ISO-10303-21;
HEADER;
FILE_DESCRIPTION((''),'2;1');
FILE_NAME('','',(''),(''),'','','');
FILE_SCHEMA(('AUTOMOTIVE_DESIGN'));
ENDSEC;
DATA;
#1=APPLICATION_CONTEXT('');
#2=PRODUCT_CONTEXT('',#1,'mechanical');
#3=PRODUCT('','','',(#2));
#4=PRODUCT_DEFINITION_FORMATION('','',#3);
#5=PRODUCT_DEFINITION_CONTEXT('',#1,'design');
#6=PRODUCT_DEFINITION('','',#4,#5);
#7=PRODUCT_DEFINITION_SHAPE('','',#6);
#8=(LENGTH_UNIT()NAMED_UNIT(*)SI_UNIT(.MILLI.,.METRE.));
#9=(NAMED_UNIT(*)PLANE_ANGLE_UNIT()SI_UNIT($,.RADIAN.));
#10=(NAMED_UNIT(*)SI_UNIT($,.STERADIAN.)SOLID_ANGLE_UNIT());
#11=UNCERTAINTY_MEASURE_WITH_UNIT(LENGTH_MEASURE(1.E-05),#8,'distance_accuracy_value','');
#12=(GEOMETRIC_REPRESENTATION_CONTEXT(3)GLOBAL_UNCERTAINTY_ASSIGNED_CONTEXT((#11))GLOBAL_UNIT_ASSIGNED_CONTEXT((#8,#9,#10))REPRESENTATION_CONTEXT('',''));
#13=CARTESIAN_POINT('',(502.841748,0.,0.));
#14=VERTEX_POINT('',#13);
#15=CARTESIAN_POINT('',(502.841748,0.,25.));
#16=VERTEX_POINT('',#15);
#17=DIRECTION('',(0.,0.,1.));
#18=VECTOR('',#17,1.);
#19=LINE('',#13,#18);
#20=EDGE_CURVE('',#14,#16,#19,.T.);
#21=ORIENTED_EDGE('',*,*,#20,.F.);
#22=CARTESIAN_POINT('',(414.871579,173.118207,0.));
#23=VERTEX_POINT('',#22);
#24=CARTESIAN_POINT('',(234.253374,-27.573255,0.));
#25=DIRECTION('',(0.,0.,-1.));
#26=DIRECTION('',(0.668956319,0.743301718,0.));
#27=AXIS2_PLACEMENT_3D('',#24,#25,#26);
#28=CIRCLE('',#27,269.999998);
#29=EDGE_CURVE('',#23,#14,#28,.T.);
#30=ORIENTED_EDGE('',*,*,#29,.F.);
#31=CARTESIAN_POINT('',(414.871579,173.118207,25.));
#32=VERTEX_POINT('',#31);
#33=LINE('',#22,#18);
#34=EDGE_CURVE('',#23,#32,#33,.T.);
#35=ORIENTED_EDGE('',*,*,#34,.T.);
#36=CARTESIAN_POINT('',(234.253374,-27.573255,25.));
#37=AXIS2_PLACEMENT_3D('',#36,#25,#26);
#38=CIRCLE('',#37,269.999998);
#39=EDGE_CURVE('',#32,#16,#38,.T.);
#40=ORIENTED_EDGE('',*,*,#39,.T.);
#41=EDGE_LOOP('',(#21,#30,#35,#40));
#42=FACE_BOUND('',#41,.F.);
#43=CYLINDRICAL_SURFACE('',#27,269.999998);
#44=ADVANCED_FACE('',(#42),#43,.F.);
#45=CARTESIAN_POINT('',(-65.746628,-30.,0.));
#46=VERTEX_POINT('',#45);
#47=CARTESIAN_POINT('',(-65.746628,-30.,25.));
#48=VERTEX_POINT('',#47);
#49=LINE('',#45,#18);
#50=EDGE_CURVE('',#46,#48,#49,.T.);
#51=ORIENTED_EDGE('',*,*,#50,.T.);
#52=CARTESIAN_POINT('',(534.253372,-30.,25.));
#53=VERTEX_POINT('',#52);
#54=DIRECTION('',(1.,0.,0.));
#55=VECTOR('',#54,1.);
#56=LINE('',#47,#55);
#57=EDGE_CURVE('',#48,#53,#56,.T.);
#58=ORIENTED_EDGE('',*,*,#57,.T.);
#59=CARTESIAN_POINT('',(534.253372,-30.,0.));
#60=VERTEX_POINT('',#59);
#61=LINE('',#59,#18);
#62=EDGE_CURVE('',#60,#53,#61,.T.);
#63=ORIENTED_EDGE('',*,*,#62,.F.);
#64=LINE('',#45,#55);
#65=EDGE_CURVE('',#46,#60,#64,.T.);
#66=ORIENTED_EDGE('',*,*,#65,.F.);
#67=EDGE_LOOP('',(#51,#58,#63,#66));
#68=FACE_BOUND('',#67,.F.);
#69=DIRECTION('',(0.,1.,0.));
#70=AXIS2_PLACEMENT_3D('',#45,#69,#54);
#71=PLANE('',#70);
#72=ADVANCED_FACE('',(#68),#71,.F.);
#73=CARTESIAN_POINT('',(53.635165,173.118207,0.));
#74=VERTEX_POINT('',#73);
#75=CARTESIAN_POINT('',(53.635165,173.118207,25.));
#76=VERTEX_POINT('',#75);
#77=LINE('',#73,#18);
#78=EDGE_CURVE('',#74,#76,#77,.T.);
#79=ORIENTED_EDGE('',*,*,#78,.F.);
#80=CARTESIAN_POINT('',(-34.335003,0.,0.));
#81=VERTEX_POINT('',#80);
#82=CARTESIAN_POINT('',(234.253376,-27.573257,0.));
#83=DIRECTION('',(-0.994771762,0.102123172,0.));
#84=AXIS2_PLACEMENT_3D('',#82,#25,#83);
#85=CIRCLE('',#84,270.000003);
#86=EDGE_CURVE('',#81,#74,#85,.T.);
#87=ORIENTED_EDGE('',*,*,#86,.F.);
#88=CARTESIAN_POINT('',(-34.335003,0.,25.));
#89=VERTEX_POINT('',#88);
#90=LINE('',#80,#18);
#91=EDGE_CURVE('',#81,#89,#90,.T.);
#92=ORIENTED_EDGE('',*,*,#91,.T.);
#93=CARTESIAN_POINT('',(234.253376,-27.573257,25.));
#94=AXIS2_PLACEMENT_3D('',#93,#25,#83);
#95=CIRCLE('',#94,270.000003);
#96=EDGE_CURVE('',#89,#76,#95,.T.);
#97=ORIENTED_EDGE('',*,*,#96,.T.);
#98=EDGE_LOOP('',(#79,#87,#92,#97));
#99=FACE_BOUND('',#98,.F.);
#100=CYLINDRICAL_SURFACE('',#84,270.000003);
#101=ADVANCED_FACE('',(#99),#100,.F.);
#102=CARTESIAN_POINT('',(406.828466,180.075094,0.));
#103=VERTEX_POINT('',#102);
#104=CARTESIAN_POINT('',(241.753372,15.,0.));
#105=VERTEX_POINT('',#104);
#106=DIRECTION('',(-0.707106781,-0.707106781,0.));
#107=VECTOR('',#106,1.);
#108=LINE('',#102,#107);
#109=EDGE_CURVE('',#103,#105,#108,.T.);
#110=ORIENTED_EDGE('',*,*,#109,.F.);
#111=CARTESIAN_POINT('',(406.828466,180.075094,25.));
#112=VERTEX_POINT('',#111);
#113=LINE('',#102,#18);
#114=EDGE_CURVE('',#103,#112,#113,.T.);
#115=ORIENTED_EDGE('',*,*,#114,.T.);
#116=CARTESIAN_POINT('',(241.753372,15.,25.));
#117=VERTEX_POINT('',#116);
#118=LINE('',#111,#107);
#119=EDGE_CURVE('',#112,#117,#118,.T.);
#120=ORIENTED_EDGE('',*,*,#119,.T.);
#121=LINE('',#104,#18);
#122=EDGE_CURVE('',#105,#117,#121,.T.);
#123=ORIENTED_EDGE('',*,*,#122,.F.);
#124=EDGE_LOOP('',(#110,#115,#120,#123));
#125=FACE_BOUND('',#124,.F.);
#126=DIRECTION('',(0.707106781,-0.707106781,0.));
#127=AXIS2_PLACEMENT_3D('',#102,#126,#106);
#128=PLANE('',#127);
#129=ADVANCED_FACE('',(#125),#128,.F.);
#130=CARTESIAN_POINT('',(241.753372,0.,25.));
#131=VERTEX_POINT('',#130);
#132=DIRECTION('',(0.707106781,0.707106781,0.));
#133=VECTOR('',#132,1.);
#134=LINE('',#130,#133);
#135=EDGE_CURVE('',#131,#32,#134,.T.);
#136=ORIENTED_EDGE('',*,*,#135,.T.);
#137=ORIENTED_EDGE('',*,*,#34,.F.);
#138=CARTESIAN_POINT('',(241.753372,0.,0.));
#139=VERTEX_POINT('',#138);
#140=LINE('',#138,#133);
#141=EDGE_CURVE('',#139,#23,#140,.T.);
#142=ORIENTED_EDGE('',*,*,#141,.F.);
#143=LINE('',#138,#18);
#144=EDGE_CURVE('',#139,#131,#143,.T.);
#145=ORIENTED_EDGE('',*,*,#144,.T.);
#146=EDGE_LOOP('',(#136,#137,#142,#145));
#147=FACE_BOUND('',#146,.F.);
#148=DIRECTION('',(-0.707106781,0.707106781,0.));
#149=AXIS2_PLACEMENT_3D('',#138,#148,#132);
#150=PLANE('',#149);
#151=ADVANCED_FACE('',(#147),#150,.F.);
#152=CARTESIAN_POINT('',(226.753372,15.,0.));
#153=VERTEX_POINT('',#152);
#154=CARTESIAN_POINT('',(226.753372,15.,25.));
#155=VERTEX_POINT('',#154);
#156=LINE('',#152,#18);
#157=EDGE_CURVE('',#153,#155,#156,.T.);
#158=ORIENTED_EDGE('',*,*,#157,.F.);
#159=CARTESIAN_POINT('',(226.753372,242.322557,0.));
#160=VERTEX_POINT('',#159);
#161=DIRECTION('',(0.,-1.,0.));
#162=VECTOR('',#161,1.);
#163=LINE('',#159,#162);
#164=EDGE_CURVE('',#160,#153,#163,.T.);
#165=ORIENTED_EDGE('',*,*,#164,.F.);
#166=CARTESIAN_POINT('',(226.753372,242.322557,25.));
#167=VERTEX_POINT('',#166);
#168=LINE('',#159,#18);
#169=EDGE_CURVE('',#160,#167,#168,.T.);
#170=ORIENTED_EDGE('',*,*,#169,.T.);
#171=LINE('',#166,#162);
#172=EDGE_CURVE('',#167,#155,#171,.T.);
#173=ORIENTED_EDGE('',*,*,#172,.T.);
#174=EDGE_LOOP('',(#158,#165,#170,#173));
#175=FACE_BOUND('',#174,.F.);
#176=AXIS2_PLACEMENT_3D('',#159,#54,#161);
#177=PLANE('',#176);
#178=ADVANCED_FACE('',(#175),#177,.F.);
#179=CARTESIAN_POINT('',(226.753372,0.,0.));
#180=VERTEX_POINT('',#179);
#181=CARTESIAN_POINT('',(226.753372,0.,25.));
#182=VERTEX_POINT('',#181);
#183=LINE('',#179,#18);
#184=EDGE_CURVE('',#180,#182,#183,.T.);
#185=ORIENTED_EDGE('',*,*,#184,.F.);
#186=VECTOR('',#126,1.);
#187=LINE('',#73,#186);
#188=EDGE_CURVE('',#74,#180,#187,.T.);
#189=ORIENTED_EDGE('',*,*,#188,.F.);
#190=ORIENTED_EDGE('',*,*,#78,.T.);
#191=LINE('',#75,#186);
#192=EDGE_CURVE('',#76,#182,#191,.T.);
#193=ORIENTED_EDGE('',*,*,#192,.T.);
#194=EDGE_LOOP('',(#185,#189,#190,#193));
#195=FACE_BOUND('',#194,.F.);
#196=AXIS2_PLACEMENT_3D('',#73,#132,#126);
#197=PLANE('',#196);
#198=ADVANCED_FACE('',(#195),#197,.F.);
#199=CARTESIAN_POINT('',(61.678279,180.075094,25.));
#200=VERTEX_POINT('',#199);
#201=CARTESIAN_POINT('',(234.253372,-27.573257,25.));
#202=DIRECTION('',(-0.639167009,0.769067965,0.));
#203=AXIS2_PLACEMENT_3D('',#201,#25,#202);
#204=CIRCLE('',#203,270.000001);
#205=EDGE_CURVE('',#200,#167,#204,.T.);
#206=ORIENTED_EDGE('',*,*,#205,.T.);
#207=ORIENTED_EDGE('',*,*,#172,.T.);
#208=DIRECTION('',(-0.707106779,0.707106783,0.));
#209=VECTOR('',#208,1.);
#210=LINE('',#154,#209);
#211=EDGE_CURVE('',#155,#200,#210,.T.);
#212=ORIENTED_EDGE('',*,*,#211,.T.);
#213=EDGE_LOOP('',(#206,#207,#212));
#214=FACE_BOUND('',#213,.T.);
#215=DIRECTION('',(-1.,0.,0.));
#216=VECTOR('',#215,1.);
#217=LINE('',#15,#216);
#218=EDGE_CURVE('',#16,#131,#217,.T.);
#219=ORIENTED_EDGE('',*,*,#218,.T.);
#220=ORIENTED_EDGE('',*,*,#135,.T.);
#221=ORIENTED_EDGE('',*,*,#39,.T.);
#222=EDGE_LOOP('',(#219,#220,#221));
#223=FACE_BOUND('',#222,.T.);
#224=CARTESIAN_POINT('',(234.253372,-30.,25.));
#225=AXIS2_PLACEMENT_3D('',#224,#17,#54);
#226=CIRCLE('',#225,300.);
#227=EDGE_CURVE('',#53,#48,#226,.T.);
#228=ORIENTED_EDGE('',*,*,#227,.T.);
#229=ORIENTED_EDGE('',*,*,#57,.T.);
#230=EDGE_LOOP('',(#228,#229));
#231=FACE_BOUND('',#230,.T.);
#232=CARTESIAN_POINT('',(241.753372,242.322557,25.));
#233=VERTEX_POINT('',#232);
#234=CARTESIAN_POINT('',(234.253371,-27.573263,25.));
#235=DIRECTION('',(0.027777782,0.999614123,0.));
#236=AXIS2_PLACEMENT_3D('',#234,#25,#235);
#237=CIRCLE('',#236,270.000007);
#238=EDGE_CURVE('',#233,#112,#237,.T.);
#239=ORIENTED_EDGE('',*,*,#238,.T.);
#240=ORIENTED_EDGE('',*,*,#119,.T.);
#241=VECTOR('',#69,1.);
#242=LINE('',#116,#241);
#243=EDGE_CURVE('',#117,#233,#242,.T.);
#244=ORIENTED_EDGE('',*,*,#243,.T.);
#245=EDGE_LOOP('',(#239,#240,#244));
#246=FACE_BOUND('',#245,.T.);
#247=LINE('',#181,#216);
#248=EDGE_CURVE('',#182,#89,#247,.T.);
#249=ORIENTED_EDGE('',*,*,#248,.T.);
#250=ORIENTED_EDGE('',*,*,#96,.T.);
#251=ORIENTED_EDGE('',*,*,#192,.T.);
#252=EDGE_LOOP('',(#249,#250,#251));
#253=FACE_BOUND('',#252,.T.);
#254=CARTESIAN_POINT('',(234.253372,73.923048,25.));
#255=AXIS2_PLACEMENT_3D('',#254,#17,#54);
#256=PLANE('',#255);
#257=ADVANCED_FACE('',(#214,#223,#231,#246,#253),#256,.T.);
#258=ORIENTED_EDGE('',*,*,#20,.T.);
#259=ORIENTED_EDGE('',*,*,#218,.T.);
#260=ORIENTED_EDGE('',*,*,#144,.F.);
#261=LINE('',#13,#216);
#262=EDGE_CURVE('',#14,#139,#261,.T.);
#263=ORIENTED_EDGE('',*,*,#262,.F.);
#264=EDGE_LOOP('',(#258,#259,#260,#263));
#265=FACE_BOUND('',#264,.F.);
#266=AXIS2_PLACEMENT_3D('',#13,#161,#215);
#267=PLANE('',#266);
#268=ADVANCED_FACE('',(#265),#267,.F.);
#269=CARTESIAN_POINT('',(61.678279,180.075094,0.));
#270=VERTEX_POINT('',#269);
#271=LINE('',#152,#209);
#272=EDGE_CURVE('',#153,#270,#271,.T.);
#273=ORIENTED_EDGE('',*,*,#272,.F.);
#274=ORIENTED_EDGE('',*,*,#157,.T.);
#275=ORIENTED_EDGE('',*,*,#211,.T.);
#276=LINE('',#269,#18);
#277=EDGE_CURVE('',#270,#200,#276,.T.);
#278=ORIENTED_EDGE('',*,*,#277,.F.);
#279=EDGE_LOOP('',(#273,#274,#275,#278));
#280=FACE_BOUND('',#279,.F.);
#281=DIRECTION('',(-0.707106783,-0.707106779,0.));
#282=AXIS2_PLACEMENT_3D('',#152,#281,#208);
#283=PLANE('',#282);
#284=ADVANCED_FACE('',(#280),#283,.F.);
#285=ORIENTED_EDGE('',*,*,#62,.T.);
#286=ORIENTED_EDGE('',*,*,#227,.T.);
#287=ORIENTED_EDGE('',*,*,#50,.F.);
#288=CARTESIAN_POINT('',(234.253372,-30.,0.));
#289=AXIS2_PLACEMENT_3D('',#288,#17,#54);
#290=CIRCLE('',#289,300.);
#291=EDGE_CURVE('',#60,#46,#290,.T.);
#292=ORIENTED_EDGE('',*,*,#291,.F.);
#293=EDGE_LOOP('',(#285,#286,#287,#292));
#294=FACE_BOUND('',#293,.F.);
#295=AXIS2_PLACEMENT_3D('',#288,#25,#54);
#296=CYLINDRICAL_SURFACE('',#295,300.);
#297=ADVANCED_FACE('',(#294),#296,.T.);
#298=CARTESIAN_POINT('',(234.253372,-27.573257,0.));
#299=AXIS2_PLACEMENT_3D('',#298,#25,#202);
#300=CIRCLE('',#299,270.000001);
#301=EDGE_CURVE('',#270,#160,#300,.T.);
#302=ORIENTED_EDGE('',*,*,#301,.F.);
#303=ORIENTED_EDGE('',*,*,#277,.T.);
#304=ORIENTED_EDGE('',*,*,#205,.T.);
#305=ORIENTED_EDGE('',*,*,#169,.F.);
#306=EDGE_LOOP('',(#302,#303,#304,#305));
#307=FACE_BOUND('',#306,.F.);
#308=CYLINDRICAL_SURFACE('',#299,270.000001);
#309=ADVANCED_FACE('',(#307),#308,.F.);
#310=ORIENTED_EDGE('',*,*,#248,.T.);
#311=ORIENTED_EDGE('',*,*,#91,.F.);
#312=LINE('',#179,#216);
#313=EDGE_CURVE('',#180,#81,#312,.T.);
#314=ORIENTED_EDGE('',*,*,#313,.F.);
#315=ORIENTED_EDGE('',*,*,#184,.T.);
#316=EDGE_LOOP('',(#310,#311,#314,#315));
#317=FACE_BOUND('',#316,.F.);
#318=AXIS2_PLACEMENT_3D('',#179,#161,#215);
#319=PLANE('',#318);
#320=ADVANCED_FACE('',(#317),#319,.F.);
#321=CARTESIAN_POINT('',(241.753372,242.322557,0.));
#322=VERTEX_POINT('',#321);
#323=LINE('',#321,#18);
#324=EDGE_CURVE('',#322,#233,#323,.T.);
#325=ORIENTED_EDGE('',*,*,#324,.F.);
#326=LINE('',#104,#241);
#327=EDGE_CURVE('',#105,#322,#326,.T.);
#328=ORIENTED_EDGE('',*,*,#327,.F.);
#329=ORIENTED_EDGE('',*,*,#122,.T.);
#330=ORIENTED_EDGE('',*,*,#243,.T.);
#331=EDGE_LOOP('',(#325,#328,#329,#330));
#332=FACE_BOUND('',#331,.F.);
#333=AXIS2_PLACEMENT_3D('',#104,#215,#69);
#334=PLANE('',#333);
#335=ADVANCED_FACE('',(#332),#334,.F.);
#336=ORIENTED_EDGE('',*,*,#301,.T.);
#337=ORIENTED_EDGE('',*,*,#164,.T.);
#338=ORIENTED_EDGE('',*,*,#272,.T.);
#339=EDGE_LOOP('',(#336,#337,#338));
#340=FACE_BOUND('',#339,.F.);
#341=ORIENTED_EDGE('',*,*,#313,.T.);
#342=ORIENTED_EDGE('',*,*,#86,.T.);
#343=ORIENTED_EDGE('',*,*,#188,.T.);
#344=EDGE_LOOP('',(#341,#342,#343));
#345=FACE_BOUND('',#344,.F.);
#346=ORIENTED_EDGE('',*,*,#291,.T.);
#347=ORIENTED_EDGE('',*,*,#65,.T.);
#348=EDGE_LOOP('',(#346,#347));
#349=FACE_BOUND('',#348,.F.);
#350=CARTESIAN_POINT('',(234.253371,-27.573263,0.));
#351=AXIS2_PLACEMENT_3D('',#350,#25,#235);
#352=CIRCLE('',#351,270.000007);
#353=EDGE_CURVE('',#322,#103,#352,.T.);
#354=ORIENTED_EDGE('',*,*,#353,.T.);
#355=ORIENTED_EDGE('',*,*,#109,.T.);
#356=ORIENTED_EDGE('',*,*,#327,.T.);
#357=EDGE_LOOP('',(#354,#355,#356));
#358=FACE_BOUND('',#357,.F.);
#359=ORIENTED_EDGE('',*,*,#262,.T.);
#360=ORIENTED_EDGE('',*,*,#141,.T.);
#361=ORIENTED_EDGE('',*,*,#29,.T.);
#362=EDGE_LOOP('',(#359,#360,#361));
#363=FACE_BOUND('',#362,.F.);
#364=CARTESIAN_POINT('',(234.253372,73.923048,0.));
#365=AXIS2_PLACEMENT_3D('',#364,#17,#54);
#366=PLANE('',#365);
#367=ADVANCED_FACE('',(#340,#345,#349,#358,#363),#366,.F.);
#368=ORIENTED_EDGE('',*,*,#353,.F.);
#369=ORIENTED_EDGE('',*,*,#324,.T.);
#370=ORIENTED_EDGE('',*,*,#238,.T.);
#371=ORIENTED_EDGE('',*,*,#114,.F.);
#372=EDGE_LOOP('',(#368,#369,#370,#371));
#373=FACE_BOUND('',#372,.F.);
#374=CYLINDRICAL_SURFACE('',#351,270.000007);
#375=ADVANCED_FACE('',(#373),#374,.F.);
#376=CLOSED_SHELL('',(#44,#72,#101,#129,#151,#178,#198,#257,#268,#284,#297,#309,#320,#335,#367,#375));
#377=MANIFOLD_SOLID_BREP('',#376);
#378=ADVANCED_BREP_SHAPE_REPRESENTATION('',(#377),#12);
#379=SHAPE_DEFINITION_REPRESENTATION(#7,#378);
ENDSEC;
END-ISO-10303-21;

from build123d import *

# Parameters (mm, degrees)
F1_DEPTH = 25


with BuildPart() as f1:
    # F0 (on Top) → F1 (new body)
    with BuildSketch(Plane.XY):
        with BuildLine():
            ThreePointArc((534.253372, -30), (234.253372, 270), (-65.746628, -30))
            Line((-65.746628, -30), (534.253372, -30))
        make_face()
        with BuildLine():
            Line((226.753372, 0), (-34.335003, 0))
            ThreePointArc((-34.335003, 0), (-6.452084, 94.741433), (53.635165, 173.118207))
            Line((53.635165, 173.118207), (226.753372, 0))
        make_face(mode=Mode.SUBTRACT)
        with BuildLine():
            ThreePointArc((414.871579, 173.118207), (474.958829, 94.741433), (502.841748, 0))
            Line((502.841748, 0), (241.753372, 0))
            Line((241.753372, 0), (414.871579, 173.118207))
        make_face(mode=Mode.SUBTRACT)
        with BuildLine():
            Line((226.753372, 242.322557), (226.753372, 15))
            Line((226.753372, 15), (61.678279, 180.075094))
            ThreePointArc((61.678279, 180.075094), (138.988234, 225.061962), (226.753372, 242.322557))
        make_face(mode=Mode.SUBTRACT)
        with BuildLine():
            Line((406.828466, 180.075094), (241.753372, 15))
            Line((241.753372, 15), (241.753372, 242.322557))
            ThreePointArc((241.753372, 242.322557), (329.51851, 225.061962), (406.828466, 180.075094))
        make_face(mode=Mode.SUBTRACT)
    extrude(amount=F1_DEPTH)


solid = f1.part
